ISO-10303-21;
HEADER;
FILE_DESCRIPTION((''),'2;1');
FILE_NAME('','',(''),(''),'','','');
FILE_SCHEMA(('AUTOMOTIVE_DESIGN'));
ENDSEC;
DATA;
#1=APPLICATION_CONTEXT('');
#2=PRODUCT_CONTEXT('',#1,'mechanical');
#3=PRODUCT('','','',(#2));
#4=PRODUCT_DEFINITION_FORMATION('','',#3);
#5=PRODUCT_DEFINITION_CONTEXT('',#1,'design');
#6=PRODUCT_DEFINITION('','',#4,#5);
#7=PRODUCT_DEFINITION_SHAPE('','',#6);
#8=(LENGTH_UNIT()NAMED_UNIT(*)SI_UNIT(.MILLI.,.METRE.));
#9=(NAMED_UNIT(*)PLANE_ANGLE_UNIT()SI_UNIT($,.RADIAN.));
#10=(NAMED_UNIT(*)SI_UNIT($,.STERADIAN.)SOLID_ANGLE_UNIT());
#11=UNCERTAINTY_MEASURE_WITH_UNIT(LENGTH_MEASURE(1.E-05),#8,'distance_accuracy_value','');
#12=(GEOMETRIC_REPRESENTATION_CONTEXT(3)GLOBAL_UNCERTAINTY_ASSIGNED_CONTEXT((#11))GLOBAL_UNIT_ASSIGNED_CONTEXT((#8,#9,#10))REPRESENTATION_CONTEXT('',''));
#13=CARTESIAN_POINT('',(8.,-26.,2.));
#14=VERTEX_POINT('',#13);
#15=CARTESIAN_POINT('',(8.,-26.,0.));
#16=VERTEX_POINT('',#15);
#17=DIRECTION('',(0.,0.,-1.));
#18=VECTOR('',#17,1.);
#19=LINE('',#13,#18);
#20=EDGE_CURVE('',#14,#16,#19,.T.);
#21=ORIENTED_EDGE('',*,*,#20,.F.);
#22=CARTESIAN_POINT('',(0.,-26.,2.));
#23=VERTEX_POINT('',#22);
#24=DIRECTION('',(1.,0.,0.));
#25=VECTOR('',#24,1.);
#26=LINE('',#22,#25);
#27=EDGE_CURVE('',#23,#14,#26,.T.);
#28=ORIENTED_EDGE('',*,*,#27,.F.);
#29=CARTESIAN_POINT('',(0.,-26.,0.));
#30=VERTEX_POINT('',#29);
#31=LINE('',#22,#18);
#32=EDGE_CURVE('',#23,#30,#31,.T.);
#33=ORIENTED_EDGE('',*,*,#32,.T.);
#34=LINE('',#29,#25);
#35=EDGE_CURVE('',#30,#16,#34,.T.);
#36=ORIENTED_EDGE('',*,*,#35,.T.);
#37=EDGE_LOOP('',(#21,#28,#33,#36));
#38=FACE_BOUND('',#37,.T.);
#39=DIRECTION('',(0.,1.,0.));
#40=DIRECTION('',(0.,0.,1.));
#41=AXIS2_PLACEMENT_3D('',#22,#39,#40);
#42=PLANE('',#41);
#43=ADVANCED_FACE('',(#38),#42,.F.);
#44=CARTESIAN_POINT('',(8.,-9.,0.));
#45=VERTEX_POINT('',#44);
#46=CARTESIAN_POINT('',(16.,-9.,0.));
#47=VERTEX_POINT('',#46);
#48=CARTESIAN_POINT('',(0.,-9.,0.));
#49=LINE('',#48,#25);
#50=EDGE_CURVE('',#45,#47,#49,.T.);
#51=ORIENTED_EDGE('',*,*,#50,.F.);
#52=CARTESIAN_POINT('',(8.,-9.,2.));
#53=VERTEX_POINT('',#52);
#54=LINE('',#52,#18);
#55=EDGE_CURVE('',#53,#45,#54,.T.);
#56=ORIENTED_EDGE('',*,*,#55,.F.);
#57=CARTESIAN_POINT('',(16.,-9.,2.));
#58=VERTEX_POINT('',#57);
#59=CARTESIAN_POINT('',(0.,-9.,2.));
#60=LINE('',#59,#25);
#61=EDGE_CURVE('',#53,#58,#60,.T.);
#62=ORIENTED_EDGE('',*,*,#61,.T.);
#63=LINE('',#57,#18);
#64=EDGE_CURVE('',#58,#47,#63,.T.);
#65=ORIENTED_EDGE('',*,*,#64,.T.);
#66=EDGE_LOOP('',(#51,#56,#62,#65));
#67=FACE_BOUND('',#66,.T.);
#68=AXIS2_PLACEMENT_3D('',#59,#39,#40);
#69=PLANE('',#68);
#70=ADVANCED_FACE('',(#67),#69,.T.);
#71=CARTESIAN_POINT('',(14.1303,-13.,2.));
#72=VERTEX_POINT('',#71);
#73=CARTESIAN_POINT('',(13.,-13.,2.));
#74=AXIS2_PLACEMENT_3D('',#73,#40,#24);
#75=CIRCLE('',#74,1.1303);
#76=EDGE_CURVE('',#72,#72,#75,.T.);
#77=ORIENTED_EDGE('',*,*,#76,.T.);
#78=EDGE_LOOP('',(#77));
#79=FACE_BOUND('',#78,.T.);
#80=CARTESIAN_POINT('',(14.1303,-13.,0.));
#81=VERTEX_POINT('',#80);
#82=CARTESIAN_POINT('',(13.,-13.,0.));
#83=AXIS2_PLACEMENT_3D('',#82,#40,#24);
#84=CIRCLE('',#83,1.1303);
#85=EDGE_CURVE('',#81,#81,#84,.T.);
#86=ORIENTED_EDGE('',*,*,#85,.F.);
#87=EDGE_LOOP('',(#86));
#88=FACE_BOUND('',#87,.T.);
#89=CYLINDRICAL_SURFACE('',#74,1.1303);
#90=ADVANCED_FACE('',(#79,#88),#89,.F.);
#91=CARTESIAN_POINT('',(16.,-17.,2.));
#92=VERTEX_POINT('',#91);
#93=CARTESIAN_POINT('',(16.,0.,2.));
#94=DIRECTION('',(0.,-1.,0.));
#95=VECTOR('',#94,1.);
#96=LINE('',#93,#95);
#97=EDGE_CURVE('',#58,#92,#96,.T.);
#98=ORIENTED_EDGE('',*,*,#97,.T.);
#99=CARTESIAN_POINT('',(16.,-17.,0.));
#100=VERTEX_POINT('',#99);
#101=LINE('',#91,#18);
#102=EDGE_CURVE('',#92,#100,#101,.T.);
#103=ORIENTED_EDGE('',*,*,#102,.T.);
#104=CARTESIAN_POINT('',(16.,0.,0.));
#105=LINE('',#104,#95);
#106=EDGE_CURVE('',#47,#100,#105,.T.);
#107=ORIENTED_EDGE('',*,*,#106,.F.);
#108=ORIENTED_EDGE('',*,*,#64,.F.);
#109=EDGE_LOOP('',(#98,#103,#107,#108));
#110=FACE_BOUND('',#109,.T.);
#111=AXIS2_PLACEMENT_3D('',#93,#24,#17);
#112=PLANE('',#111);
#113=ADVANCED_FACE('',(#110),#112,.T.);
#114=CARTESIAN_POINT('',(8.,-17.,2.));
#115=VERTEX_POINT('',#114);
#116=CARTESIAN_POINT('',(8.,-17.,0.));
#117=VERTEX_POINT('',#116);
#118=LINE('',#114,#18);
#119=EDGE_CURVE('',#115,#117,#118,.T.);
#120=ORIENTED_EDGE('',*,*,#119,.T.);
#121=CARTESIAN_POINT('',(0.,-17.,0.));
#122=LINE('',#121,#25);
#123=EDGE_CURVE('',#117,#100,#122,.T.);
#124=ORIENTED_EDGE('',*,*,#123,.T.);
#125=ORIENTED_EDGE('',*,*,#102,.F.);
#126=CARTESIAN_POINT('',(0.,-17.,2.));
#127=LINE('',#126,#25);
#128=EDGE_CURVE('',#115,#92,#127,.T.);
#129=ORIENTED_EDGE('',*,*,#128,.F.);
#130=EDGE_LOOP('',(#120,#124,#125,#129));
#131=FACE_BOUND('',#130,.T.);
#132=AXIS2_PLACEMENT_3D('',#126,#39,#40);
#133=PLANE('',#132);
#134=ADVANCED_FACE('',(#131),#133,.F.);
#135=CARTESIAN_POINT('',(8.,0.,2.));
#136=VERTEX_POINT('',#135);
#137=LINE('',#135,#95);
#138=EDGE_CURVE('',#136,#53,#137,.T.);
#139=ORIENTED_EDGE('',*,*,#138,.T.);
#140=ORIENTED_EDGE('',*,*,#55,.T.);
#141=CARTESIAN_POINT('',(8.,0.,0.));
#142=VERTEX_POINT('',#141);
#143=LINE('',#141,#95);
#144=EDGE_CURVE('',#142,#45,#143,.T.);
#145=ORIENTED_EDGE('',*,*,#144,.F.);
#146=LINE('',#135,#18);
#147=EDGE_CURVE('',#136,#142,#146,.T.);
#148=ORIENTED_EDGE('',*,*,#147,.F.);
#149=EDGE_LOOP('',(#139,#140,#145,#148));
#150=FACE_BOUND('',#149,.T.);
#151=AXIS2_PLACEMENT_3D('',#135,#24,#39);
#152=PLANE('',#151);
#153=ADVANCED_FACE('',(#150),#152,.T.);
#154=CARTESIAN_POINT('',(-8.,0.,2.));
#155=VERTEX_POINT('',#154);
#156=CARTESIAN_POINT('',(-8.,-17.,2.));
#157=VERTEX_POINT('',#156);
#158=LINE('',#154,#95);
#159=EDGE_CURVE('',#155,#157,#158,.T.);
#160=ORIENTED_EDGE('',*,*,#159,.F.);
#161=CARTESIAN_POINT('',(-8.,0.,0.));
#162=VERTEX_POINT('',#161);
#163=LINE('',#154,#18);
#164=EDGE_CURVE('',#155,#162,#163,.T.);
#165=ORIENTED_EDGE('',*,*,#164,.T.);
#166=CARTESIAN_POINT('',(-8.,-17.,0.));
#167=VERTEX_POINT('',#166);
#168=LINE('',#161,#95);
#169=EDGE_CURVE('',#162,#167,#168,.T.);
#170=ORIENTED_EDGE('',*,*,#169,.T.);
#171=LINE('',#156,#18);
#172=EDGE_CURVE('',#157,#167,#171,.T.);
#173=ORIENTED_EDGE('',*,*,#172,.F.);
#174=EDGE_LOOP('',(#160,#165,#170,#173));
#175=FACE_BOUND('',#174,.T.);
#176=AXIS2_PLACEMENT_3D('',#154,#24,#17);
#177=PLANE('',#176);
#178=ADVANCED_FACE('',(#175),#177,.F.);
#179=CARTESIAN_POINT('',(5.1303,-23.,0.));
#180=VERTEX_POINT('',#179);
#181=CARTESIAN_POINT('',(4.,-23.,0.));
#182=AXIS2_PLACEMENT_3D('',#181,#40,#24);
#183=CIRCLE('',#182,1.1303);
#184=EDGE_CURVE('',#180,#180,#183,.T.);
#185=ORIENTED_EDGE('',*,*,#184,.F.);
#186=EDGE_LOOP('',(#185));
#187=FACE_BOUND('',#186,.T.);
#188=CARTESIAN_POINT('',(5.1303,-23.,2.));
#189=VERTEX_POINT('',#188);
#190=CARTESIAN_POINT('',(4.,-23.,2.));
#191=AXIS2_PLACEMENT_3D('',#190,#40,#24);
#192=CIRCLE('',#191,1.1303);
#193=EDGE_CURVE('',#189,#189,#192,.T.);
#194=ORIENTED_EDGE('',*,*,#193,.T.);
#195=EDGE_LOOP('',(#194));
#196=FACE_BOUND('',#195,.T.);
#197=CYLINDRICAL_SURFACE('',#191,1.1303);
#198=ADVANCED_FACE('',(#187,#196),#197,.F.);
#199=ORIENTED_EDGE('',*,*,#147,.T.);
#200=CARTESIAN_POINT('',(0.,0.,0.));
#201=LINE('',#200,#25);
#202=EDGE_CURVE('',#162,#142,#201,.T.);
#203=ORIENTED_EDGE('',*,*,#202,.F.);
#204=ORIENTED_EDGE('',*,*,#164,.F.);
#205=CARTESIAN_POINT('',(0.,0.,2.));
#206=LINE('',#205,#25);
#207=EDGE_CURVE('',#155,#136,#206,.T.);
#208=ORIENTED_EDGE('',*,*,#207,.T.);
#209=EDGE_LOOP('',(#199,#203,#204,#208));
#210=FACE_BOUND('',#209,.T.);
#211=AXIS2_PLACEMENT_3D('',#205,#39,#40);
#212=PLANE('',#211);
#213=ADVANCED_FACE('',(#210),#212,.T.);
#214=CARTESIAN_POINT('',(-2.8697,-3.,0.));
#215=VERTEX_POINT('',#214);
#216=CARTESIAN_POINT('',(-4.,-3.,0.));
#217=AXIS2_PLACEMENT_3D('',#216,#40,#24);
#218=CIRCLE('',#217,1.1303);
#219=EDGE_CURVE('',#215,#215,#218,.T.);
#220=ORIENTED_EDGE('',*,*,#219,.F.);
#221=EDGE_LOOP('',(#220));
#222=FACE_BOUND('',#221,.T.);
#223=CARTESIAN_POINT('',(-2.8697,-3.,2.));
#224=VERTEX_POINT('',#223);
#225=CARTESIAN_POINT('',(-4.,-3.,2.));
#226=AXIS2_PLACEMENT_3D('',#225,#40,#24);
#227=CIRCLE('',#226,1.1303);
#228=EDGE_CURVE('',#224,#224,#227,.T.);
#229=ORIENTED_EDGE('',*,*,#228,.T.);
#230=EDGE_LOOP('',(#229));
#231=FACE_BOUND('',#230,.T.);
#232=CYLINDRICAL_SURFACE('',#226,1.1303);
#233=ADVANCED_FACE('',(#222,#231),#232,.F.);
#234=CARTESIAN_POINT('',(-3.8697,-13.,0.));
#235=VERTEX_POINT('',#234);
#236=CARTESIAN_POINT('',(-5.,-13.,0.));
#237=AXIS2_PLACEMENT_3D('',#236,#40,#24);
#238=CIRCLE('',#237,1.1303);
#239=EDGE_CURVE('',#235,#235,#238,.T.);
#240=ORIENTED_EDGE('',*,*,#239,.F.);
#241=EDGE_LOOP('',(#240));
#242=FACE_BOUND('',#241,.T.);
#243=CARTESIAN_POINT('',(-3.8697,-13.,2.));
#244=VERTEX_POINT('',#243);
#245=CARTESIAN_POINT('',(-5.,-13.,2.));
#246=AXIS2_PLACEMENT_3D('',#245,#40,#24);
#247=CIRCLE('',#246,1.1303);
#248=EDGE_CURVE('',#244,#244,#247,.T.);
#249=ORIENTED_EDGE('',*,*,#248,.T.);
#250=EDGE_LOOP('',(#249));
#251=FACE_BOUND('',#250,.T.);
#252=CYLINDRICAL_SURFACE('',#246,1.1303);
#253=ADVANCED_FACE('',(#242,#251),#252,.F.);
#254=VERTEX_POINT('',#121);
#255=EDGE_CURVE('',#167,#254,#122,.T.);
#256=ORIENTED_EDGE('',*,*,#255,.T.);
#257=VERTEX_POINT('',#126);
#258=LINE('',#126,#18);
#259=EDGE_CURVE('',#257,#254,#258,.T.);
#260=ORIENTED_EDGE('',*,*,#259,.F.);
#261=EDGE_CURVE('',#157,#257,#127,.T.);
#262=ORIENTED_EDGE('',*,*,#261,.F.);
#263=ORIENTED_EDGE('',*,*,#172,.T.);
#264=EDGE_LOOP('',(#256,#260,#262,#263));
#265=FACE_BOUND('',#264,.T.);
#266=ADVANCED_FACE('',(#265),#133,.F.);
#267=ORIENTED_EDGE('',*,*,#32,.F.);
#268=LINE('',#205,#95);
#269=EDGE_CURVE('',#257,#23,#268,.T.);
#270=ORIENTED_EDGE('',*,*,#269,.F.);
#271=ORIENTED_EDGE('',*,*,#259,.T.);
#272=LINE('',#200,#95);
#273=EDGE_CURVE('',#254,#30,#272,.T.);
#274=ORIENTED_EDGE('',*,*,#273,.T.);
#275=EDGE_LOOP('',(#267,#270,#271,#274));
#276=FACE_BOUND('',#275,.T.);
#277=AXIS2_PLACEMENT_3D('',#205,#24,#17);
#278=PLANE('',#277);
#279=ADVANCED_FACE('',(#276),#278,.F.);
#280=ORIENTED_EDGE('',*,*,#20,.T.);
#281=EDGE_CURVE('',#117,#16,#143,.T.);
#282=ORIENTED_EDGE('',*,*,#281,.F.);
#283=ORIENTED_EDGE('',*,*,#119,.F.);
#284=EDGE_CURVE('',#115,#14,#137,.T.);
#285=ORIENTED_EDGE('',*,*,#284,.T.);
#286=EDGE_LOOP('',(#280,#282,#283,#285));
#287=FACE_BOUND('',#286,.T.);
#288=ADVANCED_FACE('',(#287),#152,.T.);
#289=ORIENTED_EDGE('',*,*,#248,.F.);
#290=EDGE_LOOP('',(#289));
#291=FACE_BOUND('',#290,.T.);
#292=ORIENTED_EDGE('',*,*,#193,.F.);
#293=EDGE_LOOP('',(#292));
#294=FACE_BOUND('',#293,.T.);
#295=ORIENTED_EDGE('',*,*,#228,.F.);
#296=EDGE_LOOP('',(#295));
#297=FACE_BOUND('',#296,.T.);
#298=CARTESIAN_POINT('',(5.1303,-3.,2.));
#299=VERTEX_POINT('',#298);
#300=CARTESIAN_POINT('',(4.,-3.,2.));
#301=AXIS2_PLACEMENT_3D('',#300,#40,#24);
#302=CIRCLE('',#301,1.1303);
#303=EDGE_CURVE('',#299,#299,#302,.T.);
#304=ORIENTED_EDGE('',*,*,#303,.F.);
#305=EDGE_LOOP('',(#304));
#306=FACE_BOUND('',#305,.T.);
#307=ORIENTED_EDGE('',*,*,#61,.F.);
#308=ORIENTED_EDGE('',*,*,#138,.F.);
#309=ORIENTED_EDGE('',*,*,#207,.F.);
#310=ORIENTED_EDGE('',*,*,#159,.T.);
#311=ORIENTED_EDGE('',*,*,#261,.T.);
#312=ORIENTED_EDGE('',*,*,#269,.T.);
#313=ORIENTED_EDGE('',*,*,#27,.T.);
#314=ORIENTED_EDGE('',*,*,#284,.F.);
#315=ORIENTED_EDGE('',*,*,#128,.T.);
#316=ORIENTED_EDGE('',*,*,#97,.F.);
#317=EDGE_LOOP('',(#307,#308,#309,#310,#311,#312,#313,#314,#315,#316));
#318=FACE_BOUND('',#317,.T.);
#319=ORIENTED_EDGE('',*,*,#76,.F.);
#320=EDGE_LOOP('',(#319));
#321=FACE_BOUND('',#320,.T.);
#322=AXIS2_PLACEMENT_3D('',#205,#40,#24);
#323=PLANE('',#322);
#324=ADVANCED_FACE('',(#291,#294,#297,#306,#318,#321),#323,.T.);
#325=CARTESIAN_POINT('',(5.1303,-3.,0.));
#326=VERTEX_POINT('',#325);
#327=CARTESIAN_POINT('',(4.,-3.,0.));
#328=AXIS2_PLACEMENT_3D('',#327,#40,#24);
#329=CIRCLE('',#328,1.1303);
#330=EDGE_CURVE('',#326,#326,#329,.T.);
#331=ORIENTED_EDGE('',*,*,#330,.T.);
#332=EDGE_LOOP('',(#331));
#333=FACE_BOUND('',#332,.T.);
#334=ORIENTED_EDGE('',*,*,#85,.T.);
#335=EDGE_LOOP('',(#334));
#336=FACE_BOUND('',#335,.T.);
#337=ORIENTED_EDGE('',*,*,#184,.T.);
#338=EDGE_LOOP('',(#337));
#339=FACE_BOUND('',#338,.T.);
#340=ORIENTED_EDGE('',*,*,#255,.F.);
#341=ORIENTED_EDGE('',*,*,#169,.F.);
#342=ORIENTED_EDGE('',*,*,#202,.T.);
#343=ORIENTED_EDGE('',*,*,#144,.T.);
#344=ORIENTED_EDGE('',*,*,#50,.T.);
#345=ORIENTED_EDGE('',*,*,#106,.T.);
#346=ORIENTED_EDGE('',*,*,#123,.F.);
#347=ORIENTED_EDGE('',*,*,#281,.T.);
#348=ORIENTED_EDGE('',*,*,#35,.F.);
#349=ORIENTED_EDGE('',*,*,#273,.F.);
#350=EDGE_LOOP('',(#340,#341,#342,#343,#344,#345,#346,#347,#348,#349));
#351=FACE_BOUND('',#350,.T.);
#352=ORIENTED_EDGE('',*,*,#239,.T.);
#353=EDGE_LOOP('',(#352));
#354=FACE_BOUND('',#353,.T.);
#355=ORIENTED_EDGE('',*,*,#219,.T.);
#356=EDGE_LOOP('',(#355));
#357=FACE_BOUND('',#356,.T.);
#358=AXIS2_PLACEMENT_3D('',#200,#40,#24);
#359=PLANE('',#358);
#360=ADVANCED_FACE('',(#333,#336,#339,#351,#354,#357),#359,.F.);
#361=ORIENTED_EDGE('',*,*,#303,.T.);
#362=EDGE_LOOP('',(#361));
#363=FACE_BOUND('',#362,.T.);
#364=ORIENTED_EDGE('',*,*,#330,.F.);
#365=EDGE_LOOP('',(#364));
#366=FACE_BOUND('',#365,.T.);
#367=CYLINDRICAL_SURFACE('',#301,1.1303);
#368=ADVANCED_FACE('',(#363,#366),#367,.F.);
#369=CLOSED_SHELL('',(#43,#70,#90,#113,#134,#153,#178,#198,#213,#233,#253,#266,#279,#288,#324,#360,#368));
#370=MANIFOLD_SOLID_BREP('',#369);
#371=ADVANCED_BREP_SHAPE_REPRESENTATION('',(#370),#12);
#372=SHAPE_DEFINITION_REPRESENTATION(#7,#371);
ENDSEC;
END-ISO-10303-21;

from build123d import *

# Parameters (mm, degrees)
SKETCH3_R             = 1
BOSS_EXTRUDE1_DEPTH   = 2
F_4_40_TAPPED_HOLE1_D = 2.2606


with BuildPart() as part:
    # Sketch3 → Boss-Extrude1 (new body)
    with BuildSketch(Plane.XY):
        Polygon((8, 0), (-8, 0), (-8, -17), (0, -17), (0, -26), (8, -26), (8, -17), (16, -17), (16, -9), (8, -9), align=None)
        with Locations((4, -3)):
            Circle(SKETCH3_R, mode=Mode.SUBTRACT)
        with Locations((-4, -3)):
            Circle(SKETCH3_R, mode=Mode.SUBTRACT)
        with Locations((-5, -13)):
            Circle(SKETCH3_R, mode=Mode.SUBTRACT)
        with Locations((13, -13)):
            Circle(SKETCH3_R, mode=Mode.SUBTRACT)
        with Locations((4, -23)):
            Circle(SKETCH3_R, mode=Mode.SUBTRACT)
    extrude(amount=BOSS_EXTRUDE1_DEPTH)

    # #4-40 Tapped Hole1 (through all)
    with Locations(Plane(origin=(-5, -13, 2), x_dir=(1, 0, 0), z_dir=(0, 0, 1))):
        with Locations((0, 0), (18, 0), (9, -10), (9, 10), (1, 10)):
            Hole(F_4_40_TAPPED_HOLE1_D / 2)


solid = part.part
